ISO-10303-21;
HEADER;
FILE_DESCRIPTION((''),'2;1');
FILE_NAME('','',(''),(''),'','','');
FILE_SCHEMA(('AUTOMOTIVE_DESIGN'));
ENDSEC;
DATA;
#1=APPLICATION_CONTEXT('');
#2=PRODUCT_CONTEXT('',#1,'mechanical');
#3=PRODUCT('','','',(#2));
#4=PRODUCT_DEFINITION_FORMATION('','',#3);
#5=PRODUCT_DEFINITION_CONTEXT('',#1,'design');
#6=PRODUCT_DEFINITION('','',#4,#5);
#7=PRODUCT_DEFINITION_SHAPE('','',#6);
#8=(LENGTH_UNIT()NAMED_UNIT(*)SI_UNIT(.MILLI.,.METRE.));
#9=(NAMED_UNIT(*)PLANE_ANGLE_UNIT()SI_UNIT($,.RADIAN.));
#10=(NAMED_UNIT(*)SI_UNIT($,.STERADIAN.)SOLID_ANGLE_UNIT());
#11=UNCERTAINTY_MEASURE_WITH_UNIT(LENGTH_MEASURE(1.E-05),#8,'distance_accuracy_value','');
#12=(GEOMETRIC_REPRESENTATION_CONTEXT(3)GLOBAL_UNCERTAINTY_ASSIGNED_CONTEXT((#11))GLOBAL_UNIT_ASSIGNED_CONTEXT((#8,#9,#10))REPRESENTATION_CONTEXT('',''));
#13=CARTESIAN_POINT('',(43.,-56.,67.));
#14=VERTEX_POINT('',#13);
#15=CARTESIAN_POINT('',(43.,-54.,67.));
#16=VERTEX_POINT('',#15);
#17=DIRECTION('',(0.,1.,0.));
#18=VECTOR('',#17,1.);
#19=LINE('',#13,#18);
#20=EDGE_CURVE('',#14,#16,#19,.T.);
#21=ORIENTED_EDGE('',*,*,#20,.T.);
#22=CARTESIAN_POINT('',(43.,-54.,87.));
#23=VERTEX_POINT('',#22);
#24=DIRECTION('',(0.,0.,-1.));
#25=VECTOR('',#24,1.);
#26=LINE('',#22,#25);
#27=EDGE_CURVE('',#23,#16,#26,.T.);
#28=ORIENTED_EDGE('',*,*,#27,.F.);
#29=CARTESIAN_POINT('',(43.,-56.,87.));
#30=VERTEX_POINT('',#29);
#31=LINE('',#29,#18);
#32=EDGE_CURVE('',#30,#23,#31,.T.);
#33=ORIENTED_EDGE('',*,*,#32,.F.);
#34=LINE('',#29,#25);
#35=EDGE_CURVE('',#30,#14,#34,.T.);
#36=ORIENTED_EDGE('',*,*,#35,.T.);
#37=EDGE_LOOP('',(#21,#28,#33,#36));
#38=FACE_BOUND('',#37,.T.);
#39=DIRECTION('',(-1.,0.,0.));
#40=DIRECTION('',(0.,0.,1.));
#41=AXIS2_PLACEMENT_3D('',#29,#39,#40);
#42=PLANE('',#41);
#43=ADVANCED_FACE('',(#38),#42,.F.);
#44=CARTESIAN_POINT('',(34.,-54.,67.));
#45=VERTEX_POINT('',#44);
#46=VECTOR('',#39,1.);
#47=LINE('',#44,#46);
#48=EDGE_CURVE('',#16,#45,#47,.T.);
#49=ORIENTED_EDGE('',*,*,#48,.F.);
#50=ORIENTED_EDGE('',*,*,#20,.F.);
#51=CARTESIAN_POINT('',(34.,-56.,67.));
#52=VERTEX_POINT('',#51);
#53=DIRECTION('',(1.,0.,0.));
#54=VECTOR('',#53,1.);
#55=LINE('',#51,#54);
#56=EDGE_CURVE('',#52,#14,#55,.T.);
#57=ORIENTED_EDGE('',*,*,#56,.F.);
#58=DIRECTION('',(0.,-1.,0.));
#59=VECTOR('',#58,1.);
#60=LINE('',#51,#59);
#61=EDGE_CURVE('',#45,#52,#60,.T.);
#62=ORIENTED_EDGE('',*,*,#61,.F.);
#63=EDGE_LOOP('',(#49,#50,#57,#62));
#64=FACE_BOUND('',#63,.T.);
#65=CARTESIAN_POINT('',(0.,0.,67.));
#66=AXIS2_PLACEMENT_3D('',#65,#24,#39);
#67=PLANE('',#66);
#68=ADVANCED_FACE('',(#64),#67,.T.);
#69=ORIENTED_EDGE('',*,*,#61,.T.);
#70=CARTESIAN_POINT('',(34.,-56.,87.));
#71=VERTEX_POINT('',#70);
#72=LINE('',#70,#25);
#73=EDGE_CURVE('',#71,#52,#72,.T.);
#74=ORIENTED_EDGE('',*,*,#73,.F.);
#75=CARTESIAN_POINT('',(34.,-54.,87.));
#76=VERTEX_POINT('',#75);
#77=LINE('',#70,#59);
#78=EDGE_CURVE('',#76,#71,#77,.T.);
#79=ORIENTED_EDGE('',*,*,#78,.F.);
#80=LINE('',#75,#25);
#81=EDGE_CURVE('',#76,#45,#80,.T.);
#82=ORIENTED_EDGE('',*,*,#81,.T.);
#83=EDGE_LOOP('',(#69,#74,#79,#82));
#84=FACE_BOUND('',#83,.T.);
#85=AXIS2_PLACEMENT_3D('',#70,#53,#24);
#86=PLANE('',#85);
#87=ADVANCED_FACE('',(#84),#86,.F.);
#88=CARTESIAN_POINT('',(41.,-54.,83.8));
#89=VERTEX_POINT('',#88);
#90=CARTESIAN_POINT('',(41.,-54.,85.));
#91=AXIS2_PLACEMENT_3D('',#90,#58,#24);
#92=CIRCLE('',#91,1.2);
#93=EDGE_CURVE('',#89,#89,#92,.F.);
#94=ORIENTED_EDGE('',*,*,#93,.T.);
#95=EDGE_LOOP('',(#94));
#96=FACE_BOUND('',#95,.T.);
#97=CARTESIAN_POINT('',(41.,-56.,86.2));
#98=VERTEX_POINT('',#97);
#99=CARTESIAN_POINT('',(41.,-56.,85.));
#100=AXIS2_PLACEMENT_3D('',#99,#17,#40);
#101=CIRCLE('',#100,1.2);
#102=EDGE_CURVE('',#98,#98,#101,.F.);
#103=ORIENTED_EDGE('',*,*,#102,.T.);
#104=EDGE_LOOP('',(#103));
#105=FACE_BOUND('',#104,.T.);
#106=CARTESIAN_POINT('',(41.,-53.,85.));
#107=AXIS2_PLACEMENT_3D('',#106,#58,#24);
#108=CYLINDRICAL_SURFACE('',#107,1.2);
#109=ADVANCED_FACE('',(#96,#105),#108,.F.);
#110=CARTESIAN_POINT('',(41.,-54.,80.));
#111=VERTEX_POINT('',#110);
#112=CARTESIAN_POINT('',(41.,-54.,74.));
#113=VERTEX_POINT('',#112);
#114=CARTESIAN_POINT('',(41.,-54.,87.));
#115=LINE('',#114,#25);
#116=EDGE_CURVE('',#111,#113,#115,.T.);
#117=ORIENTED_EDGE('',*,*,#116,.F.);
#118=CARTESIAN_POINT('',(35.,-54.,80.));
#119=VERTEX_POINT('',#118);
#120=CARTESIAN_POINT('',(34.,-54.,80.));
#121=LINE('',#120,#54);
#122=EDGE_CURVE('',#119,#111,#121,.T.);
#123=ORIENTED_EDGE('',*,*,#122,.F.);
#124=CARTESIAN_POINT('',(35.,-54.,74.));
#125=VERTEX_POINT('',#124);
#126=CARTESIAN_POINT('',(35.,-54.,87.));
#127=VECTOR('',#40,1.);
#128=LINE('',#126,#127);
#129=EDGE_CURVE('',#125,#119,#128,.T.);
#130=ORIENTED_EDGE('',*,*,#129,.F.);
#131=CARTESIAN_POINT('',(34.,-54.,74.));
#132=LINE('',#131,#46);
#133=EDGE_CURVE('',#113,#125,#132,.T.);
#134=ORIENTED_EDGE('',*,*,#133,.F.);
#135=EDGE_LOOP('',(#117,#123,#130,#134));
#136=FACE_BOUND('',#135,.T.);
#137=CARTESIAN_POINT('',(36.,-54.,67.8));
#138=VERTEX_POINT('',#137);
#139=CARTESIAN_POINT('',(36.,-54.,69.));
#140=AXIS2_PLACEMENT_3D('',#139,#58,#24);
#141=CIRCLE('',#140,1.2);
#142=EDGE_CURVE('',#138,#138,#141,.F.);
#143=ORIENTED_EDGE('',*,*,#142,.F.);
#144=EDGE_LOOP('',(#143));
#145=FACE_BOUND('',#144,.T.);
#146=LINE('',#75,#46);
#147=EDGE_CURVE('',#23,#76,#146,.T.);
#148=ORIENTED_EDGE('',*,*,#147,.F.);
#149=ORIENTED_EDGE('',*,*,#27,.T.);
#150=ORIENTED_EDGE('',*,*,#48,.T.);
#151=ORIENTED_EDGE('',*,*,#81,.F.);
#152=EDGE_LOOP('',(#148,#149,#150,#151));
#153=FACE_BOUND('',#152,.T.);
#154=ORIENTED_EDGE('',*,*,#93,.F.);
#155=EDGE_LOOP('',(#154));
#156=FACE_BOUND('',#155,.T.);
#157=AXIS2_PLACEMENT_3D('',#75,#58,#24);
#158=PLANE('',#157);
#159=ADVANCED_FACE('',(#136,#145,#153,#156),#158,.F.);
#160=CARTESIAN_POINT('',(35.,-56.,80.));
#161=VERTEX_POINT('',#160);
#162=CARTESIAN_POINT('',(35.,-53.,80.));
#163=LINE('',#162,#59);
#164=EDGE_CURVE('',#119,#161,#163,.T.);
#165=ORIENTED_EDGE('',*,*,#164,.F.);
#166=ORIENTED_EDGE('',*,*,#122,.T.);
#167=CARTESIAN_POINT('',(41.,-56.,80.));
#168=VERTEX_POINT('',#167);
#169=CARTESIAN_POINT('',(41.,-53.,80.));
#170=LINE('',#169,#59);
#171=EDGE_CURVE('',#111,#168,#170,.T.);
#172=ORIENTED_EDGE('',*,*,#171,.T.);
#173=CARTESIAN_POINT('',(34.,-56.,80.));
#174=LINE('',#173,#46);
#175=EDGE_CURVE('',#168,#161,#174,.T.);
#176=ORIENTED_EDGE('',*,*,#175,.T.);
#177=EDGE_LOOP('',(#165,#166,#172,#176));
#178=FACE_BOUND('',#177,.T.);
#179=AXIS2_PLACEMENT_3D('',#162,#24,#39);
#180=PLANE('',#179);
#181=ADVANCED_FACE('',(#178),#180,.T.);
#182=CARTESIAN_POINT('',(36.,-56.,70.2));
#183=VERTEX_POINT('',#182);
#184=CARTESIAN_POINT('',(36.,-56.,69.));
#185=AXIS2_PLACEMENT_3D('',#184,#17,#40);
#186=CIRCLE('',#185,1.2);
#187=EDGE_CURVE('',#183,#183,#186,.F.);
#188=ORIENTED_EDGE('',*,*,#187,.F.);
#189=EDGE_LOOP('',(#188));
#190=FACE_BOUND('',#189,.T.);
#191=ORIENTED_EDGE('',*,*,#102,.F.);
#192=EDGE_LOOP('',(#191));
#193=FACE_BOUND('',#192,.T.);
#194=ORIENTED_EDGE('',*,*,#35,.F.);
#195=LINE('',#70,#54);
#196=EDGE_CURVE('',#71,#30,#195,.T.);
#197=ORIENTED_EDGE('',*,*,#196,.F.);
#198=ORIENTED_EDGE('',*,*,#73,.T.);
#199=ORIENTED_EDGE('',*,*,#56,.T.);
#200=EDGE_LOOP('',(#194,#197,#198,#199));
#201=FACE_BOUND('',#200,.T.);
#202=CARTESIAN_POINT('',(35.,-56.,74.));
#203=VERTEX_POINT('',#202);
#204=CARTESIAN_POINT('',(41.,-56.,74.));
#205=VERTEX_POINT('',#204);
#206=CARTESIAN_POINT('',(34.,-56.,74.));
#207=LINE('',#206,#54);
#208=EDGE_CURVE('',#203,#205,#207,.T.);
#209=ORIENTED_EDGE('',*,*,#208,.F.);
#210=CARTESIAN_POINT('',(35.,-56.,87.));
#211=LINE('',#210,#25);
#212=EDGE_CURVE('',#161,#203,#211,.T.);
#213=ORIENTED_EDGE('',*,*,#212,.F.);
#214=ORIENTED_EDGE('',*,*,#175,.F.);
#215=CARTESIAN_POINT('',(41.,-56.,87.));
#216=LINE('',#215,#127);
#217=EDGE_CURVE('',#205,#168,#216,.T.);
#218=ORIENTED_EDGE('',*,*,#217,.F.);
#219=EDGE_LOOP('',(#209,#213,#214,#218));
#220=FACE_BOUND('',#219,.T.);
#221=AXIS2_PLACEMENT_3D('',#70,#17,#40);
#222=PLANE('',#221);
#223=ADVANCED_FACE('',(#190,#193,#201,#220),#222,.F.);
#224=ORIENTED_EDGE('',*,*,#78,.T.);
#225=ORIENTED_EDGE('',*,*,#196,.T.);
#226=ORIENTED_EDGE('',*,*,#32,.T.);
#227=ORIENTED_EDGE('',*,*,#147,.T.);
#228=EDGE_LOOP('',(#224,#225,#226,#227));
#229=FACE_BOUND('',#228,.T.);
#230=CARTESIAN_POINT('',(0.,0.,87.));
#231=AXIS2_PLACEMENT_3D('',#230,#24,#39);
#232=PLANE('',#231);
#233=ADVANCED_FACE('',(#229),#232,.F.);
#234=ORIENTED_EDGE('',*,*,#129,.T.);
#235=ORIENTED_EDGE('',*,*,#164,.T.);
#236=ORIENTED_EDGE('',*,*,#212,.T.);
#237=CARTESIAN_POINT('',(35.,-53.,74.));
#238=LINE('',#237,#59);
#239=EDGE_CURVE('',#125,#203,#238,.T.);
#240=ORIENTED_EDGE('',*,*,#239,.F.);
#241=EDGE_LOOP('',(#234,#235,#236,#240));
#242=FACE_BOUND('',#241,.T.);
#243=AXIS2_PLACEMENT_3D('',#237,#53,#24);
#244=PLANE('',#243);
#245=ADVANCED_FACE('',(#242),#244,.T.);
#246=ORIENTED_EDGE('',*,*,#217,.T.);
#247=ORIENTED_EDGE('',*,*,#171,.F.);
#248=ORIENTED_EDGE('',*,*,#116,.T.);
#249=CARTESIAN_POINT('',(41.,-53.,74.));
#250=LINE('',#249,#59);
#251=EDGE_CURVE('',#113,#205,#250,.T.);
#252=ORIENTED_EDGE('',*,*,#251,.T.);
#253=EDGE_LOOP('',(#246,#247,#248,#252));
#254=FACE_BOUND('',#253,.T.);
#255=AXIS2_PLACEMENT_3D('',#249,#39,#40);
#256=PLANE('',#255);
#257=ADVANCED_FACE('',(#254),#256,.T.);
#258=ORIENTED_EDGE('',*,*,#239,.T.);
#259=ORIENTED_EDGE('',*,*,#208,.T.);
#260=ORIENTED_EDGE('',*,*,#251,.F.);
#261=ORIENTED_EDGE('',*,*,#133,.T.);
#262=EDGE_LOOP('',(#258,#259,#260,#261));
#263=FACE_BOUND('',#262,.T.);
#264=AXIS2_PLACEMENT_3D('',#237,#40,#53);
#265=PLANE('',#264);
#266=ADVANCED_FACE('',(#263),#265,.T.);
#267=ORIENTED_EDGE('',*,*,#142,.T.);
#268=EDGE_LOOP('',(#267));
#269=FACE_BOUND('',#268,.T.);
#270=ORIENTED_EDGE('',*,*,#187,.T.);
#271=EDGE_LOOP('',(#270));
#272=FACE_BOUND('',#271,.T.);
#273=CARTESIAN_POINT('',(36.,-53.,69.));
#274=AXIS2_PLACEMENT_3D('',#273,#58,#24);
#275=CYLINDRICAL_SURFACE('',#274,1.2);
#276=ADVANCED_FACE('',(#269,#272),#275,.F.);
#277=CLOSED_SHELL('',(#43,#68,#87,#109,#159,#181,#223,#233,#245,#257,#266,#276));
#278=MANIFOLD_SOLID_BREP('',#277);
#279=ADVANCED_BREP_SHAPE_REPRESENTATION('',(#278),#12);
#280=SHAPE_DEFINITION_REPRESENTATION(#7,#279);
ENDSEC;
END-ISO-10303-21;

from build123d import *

# Parameters (mm, degrees)
SKETCH_1_W              = 9
SKETCH_1_H              = 2
CARRIER_1_DEPTH         = 20
SKETCH_2_W              = 6
SKETCH_2_H              = 6
TACT_6X6_POCKET_2_DEPTH = 4
SKETCH_3_R              = 1.2
CARRIER_M2_3_DEPTH      = 4


with BuildPart() as part:
    # Эскиз1 → Carrier_1 (new body)
    with BuildSketch(Plane.XY.offset(67)):
        with Locations((38.5, -55)):
            Rectangle(SKETCH_1_W, SKETCH_1_H)
    extrude(amount=CARRIER_1_DEPTH)

    # Эскиз2 → Tact_6x6_pocket_2 (cut)
    with BuildSketch(Plane(origin=(0, -57, 0), x_dir=(1, 0, 0), z_dir=(0, 1, 0))):
        with Locations((38, -77)):
            Rectangle(SKETCH_2_W, SKETCH_2_H)
    extrude(amount=TACT_6X6_POCKET_2_DEPTH, mode=Mode.SUBTRACT)

    # Эскиз3 → Carrier_M2_3 (cut)
    with BuildSketch(Plane(origin=(0, -57, 0), x_dir=(1, 0, 0), z_dir=(0, 1, 0))):
        with Locations(Location((36, -69, 0), (0, 0, 90))):
            Circle(SKETCH_3_R)
        with Locations(Location((41, -85, 0), (0, 0, 90))):
            Circle(SKETCH_3_R)
    extrude(amount=CARRIER_M2_3_DEPTH, mode=Mode.SUBTRACT)


solid = part.part
